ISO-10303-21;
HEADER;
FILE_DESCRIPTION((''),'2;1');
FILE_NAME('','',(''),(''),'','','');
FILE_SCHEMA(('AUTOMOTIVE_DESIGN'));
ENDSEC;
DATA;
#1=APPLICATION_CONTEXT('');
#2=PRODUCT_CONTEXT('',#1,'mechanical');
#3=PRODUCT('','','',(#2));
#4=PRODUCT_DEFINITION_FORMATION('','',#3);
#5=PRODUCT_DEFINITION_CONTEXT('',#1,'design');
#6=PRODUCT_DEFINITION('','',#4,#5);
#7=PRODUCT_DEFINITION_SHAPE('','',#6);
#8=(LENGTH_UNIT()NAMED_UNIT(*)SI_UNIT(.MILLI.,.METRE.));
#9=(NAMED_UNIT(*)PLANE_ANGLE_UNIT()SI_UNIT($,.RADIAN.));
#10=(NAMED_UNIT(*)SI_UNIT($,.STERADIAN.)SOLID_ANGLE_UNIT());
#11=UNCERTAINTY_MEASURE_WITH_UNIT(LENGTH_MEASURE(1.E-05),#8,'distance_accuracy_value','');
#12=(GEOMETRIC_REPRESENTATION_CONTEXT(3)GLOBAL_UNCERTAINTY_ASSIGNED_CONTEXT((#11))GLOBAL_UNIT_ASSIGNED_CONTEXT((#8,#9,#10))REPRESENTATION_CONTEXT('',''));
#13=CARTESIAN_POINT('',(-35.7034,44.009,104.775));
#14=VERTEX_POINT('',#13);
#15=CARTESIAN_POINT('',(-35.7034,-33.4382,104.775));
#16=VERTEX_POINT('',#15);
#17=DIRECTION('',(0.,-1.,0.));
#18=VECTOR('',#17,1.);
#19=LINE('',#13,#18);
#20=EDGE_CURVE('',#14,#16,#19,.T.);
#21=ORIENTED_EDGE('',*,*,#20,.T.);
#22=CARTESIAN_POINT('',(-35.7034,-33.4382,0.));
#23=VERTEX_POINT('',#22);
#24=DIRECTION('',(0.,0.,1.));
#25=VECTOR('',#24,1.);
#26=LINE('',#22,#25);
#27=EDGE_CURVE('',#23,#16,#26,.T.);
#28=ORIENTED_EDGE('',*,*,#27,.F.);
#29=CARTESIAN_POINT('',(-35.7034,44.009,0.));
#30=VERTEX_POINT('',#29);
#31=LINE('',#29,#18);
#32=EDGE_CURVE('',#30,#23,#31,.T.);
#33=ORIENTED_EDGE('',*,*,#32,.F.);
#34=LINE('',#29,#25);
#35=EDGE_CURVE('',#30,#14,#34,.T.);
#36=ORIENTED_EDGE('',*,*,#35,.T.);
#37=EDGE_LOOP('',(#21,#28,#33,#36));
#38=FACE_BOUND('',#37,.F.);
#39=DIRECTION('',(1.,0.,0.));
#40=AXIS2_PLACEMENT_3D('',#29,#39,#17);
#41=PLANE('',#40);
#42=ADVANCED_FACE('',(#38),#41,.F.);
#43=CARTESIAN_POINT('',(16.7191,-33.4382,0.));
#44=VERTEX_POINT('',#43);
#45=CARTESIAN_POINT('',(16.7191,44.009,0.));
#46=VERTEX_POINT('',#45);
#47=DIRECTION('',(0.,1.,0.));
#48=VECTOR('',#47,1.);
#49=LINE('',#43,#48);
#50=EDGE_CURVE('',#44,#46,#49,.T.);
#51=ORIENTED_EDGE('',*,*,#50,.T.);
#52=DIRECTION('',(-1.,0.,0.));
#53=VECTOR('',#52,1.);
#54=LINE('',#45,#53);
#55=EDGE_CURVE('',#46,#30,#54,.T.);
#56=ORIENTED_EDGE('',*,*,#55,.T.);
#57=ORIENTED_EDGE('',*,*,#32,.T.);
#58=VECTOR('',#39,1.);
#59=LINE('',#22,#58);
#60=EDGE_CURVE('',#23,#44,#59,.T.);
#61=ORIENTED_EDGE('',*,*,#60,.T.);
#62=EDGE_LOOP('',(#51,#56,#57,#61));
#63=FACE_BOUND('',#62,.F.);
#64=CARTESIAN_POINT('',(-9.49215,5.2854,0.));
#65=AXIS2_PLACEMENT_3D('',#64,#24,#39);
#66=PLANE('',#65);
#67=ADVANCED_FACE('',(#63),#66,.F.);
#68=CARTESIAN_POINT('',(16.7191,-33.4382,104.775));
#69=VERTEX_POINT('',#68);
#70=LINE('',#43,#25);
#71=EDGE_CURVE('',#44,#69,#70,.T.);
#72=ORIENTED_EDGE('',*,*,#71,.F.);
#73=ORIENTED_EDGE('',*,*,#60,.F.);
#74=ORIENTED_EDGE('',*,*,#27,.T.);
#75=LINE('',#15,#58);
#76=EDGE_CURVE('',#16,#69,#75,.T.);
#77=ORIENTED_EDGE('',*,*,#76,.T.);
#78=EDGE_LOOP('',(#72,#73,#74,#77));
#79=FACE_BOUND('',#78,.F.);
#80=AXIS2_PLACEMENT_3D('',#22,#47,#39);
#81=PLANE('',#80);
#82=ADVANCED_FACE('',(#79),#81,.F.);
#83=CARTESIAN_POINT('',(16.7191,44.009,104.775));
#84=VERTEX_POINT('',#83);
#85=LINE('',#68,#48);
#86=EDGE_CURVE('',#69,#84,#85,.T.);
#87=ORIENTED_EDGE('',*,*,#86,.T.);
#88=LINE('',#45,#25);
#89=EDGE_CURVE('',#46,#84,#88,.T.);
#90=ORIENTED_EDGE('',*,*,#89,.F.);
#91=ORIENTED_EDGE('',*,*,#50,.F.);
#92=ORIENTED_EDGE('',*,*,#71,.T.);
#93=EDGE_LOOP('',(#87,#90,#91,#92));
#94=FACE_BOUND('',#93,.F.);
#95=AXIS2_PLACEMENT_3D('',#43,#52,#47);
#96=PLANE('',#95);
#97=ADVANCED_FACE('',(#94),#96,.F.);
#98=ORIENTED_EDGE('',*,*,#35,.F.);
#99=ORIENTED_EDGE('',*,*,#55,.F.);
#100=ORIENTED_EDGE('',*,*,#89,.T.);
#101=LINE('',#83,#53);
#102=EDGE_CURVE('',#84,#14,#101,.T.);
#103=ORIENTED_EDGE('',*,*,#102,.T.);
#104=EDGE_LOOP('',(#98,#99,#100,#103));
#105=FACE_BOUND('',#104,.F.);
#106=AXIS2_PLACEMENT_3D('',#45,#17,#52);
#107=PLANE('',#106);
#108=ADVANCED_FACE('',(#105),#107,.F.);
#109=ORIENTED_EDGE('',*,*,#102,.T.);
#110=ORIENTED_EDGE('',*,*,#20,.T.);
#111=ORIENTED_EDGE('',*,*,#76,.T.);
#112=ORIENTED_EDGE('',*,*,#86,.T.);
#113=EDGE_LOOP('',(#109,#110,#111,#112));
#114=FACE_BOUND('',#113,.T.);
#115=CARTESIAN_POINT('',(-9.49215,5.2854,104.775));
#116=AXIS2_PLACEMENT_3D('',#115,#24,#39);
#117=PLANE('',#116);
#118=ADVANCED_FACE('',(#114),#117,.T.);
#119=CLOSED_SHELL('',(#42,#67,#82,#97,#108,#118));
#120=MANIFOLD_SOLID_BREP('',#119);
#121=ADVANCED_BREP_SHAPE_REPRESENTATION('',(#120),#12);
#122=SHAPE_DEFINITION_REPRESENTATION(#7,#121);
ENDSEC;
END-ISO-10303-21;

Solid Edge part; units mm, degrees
sketch "Sketch1" plane through (0, 0, 0) normal (0, 0, 1) x (1, 0, 0)
  line L0 (-35.7034, -33.4382) -> (16.7191, -33.4382)
  line L1 (16.7191, -33.4382) -> (16.7191, 44.009)
  line L2 (16.7191, 44.009) -> (-35.7034, 44.009)
  line L3 (-35.7034, 44.009) -> (-35.7034, -33.4382)
extrude "Protrusion1" add sketch "Sketch1" along normal blind 104.775
